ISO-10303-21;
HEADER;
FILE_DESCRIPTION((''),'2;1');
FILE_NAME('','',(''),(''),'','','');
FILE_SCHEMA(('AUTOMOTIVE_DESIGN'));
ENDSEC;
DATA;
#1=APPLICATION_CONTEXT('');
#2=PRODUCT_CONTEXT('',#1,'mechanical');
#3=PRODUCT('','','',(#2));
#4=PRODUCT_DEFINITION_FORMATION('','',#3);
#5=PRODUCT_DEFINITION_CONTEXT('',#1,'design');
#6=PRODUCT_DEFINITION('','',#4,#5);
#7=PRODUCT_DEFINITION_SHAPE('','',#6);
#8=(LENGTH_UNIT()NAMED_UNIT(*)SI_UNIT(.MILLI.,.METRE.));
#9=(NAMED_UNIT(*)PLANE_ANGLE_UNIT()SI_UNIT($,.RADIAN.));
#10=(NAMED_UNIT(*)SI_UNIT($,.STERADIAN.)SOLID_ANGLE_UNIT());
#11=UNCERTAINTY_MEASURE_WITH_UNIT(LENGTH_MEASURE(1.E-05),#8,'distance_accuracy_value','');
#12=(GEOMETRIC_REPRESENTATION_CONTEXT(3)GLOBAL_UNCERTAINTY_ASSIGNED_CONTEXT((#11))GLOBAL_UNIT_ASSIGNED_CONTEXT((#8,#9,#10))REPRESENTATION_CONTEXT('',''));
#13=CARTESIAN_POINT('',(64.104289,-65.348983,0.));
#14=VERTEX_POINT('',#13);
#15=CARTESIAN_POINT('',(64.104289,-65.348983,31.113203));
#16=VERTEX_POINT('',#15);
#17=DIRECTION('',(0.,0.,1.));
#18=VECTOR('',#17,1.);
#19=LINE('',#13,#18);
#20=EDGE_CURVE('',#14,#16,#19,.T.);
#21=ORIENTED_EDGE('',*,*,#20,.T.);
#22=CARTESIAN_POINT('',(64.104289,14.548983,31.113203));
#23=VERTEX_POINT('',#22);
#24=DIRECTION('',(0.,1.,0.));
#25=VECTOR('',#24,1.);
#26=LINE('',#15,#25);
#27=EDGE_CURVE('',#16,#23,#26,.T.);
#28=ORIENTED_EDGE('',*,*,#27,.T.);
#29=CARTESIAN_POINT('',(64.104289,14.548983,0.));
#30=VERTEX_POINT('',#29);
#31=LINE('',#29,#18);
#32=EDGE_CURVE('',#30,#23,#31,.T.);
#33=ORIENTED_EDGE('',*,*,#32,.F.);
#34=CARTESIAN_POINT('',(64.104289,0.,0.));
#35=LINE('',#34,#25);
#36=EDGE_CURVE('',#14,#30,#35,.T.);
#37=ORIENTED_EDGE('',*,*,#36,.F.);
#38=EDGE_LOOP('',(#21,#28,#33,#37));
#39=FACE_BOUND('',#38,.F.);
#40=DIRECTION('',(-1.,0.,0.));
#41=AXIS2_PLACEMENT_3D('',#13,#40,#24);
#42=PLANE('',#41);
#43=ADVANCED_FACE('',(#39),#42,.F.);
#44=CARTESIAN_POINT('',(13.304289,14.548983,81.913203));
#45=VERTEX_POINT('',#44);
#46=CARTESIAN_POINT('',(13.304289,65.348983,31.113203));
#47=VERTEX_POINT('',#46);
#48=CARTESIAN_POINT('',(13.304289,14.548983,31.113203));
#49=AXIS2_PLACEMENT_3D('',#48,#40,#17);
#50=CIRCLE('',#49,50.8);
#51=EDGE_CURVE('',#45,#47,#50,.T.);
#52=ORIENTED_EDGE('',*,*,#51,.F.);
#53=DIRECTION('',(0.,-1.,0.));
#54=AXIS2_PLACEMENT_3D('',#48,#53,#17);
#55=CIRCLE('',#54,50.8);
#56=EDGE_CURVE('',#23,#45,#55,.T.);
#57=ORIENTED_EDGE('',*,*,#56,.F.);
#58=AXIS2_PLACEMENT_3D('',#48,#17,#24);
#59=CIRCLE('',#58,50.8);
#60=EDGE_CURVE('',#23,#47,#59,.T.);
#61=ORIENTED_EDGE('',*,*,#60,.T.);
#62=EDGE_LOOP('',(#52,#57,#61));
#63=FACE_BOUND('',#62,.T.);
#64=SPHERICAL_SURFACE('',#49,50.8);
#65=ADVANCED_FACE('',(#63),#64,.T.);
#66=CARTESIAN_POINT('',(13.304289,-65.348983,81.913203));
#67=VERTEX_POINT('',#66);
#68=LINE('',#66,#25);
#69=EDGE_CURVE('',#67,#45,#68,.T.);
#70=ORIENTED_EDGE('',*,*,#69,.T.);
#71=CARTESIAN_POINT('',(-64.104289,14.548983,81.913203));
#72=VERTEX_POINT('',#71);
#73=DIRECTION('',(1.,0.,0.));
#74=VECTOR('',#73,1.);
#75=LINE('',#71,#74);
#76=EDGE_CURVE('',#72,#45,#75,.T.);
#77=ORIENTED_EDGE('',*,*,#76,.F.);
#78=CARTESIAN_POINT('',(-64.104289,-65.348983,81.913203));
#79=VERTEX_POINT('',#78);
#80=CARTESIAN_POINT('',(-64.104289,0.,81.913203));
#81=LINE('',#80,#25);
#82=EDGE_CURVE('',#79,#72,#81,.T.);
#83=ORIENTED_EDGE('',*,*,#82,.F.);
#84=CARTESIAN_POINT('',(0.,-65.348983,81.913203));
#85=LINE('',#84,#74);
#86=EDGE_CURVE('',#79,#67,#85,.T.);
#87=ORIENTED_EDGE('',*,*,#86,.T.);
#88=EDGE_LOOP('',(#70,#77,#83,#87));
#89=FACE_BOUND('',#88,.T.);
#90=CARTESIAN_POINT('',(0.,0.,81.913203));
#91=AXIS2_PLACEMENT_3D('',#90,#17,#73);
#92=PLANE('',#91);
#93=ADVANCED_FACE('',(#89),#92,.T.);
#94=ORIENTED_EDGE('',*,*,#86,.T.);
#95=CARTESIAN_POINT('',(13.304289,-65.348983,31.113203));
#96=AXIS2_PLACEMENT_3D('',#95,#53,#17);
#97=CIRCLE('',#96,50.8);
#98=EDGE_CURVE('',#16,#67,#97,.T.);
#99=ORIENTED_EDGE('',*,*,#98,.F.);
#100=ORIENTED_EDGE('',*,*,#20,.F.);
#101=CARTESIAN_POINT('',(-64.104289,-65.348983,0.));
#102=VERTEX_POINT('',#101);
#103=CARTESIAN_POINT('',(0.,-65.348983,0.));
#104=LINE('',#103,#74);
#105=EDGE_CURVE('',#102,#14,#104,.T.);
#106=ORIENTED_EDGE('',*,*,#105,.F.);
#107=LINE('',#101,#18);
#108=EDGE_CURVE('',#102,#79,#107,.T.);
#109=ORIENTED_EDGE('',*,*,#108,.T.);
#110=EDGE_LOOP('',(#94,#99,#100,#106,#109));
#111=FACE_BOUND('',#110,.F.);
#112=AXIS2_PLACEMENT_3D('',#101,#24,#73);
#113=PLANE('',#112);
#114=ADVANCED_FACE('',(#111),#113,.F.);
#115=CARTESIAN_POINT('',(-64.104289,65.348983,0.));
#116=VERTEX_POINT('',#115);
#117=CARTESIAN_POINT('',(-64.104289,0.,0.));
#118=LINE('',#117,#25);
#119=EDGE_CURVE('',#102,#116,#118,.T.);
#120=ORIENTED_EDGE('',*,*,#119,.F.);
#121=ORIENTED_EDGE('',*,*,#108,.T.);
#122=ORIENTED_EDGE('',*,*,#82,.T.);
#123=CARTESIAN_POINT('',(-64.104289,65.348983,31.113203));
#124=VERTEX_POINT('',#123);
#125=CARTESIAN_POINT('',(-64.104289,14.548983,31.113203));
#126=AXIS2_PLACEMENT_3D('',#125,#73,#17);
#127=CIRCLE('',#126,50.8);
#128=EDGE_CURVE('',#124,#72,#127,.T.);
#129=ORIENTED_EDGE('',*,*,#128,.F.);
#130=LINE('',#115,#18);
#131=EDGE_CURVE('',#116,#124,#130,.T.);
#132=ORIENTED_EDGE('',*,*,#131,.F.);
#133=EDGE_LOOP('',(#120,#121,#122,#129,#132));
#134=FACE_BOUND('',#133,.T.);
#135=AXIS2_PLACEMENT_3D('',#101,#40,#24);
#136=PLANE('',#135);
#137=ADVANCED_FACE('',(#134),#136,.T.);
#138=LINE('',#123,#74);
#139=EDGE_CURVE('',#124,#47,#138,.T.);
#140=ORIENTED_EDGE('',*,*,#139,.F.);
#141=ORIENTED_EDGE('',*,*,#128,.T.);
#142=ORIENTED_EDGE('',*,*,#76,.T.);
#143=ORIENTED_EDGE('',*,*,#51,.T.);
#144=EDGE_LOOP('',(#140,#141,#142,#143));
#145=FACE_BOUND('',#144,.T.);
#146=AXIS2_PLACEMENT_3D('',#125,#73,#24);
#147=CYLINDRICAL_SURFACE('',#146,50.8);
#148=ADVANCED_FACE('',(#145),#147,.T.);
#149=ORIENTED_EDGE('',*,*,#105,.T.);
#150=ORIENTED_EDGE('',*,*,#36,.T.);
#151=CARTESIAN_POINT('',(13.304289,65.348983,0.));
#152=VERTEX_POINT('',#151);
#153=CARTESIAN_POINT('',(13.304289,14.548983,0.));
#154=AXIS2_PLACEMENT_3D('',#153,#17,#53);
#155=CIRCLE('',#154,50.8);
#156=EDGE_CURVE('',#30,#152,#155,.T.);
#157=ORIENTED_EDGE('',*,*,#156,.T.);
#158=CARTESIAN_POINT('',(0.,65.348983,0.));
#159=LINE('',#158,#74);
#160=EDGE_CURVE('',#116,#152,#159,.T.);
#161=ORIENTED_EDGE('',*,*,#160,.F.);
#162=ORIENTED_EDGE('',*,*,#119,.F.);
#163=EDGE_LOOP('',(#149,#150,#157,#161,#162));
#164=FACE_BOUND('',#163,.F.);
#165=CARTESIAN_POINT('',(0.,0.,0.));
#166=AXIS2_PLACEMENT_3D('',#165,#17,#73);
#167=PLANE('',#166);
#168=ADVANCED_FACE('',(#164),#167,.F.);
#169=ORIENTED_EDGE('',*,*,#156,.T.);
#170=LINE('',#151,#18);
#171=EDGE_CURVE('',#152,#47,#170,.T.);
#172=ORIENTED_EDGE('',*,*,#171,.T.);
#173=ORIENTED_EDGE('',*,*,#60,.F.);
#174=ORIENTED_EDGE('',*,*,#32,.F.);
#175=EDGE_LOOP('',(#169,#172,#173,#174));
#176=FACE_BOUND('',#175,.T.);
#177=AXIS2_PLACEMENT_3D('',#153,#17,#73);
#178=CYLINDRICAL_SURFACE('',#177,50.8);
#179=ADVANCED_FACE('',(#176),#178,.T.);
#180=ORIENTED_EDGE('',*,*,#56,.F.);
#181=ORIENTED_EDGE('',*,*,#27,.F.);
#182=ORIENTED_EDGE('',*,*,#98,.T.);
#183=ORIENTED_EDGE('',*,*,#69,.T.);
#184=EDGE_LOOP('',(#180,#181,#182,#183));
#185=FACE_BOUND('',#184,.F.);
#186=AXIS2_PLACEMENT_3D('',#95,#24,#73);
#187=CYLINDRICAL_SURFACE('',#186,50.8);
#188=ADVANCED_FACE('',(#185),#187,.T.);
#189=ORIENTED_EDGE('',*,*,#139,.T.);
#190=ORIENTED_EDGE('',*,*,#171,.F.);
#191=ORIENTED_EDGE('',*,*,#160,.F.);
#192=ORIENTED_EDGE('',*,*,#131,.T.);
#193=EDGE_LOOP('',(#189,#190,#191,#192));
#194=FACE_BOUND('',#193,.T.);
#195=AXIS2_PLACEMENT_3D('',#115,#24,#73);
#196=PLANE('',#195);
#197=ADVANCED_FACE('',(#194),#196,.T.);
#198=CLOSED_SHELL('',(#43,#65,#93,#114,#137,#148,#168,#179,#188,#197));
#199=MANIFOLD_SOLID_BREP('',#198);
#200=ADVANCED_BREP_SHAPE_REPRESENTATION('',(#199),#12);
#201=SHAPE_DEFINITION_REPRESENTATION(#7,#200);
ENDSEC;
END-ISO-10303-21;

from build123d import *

# Parameters (mm, degrees)
F0_W     = 128.208578
F0_H     = 130.697966
F1_DEPTH = 81.913203
F2_R     = 50.8


with BuildPart() as f1:
    # F0 (on Top) → F1 (new body)
    with BuildSketch(Plane.XY):
        Rectangle(F0_W, F0_H)
    extrude(amount=F1_DEPTH)

    # F2
    f2_edges = [f1.edges().sort_by_distance(p)[0] for p in [
        (0, 65.348983, 81.913203),
        (64.104289, 0, 81.913203),
        (64.104289, 65.348983, 40.956602),
    ]]
    fillet(f2_edges, radius=F2_R)


solid = f1.part
